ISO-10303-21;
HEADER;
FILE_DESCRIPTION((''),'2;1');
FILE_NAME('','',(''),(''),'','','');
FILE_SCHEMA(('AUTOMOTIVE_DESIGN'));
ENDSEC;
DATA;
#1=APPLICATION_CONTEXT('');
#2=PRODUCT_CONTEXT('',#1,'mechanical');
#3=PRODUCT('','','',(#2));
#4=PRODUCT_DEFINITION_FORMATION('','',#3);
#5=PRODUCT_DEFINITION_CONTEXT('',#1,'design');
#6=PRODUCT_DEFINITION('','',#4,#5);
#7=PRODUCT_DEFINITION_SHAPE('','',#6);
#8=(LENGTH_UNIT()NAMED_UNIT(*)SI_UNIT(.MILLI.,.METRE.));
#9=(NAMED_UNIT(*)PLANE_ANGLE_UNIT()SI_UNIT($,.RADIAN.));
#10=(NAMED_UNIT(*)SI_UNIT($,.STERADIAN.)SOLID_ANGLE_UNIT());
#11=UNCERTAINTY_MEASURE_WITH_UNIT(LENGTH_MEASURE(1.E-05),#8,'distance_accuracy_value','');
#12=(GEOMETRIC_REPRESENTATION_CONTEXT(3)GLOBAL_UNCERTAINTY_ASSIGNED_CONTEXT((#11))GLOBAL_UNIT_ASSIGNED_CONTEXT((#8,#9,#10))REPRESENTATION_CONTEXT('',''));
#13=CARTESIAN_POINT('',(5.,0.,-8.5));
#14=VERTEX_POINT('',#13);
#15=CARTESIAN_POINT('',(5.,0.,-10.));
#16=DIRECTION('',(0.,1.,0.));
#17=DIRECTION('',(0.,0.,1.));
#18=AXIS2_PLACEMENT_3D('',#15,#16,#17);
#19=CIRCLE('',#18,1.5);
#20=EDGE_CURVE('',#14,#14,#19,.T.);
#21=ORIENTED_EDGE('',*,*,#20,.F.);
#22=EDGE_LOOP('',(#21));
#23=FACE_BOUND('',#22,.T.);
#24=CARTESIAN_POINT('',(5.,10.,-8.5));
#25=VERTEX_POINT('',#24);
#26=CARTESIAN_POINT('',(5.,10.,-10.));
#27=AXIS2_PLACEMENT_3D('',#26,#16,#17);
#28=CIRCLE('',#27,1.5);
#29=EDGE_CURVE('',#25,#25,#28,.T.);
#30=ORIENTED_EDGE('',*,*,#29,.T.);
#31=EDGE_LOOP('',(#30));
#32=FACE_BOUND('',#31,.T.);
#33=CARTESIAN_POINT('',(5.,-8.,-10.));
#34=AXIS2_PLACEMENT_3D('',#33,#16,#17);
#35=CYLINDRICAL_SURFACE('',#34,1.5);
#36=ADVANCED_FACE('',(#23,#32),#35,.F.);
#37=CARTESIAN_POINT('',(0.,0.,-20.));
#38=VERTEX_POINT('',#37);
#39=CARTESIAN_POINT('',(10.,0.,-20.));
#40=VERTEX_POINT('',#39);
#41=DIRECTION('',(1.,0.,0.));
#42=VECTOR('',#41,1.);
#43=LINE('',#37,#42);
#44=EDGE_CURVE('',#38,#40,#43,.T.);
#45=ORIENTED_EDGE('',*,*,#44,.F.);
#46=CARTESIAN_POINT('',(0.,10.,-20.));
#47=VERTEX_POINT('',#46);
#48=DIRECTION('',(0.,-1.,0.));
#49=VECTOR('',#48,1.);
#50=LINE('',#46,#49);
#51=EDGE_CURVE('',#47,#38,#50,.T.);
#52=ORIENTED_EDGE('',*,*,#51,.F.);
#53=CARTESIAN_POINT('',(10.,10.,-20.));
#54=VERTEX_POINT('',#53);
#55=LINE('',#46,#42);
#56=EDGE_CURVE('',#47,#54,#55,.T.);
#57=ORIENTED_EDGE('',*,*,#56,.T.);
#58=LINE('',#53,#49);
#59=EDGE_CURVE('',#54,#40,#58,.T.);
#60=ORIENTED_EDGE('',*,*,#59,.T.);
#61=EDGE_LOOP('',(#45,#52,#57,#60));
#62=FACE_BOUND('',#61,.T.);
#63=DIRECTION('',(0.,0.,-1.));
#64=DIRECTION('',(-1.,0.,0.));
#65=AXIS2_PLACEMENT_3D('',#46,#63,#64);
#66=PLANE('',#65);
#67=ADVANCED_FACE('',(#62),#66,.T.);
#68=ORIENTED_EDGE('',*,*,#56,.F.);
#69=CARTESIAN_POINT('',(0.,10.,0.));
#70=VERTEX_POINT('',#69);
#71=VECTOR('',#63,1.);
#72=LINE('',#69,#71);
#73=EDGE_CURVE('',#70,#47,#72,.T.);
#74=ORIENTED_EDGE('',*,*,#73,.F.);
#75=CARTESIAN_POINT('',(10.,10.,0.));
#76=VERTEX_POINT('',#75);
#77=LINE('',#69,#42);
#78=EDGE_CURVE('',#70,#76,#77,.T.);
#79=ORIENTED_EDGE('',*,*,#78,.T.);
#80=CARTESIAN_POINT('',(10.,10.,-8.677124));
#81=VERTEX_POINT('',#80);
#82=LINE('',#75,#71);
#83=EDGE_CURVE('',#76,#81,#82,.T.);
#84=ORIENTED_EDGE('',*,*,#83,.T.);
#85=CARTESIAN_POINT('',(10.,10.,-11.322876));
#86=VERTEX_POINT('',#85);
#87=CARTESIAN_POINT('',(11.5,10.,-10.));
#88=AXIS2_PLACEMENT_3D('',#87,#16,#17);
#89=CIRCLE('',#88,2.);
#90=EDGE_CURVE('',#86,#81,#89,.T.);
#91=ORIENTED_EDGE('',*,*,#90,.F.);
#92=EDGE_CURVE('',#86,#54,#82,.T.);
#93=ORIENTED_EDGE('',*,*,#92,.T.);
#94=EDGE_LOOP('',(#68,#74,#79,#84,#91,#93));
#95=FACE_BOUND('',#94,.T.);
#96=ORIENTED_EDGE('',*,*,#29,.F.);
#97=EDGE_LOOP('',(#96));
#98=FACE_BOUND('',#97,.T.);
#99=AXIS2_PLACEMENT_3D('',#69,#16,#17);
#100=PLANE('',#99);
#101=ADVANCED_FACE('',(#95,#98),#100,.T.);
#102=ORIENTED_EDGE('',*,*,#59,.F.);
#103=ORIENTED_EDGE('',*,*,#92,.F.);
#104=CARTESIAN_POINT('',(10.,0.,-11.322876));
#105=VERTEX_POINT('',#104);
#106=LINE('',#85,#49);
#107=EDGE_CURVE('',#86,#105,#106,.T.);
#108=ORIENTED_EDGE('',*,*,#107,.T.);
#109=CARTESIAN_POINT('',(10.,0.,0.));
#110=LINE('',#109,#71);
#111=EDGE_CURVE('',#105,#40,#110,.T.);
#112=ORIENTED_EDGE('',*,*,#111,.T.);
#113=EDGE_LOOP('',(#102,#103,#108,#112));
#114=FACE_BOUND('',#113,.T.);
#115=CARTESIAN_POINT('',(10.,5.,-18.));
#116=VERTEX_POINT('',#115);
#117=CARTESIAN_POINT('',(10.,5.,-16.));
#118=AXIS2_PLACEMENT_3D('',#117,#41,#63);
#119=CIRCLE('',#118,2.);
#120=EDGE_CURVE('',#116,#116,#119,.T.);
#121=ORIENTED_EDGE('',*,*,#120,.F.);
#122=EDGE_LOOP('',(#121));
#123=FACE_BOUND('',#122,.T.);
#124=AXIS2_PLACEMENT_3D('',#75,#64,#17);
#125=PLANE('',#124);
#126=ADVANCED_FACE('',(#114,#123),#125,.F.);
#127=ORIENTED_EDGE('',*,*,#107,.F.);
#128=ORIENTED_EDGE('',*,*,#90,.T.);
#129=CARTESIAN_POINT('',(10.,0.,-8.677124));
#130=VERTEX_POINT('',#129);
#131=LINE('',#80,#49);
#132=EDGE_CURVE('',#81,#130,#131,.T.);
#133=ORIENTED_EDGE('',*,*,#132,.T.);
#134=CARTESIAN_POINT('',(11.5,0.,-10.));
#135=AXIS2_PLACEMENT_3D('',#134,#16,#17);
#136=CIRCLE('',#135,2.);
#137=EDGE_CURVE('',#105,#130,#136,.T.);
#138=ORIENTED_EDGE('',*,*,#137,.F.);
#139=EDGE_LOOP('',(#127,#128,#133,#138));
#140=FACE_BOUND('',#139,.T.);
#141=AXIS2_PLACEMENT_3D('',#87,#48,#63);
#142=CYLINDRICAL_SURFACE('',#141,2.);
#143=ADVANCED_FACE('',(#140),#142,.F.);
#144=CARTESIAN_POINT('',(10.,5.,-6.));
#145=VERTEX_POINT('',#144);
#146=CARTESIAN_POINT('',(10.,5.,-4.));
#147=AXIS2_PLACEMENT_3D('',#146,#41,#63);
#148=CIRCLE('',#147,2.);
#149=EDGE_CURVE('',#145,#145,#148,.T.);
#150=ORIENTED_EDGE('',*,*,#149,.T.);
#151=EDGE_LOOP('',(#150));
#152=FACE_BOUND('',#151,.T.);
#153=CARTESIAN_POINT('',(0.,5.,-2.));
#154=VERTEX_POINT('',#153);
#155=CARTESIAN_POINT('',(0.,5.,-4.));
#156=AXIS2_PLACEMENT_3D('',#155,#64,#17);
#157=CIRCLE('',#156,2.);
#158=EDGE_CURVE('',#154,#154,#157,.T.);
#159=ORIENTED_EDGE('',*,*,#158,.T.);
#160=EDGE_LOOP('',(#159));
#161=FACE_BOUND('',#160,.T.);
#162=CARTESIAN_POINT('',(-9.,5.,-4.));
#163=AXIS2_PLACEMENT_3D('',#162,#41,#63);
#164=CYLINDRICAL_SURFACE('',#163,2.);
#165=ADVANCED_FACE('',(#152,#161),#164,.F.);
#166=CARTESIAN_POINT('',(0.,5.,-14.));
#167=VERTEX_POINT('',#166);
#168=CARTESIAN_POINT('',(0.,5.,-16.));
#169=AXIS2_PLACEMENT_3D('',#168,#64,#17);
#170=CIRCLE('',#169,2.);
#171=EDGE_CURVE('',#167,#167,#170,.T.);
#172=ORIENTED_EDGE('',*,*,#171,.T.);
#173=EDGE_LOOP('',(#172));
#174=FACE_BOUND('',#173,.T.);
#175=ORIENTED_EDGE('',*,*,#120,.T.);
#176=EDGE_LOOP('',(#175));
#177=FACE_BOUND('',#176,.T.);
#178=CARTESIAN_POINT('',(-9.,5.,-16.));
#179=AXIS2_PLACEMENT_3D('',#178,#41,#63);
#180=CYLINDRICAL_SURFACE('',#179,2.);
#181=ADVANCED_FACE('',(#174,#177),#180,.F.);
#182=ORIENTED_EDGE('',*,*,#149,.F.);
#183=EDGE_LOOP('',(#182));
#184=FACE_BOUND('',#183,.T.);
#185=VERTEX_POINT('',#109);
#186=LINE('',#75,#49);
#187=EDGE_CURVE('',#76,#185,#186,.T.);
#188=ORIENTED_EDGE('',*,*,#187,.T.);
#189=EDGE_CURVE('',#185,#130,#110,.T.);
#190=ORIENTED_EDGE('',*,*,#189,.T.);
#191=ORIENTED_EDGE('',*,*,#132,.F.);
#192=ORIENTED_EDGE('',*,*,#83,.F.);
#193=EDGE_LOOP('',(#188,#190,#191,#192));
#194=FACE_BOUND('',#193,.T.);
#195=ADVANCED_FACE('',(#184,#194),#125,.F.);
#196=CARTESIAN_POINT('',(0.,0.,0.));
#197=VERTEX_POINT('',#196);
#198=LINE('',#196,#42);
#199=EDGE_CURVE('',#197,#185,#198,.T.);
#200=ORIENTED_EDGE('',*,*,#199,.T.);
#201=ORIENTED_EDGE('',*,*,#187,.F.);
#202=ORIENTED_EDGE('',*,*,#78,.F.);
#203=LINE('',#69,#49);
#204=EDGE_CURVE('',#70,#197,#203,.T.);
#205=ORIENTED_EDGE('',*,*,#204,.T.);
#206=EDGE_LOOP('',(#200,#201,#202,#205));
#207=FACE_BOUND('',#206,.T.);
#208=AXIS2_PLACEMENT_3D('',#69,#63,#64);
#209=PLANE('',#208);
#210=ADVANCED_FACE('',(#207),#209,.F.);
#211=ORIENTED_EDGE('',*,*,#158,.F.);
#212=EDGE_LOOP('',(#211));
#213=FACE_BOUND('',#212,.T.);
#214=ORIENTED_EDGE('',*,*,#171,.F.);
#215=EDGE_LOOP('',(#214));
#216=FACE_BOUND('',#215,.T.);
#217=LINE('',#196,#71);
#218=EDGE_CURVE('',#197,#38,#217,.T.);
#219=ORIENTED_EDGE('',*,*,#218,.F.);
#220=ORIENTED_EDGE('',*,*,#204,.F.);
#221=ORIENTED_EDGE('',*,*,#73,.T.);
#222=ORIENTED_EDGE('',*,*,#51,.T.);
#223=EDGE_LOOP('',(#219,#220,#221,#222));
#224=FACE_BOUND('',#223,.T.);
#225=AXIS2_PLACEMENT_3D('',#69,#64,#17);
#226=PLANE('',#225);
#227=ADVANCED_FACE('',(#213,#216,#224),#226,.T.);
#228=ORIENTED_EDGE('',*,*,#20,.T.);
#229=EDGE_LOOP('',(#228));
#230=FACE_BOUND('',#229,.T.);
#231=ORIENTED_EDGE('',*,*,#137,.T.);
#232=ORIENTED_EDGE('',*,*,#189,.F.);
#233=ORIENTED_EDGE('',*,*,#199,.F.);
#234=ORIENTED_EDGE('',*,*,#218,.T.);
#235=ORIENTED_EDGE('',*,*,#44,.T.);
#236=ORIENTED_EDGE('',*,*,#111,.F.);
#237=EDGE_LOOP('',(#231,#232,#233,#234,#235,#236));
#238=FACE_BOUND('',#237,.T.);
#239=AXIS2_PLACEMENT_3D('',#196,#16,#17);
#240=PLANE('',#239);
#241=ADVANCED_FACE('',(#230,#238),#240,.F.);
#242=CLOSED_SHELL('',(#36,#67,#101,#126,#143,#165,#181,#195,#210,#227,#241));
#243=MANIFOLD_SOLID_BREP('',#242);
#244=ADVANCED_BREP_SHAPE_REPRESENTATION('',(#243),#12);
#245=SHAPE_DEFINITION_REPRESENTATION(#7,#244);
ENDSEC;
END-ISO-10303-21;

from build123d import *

# Parameters (mm, degrees)
BOSS_EXTRUDE1_DEPTH = 10
SKETCH2_R           = 2
CUT_EXTRUDE1_DEPTH  = 19
SKETCH3_R           = 1.5
CUT_EXTRUDE2_DEPTH  = 18


with BuildPart() as part:
    # Sketch1 → Boss-Extrude1 (new body)
    with BuildSketch(Plane(origin=(0, 0, 0), x_dir=(1, 0, 0), z_dir=(0, 1, 0))):
        with BuildLine():
            Line((0, 20), (0, 0))
            Line((0, 0), (10, 0))
            Line((10, 0), (10, 8.677124344))
            ThreePointArc((10, 8.677124344), (9.5, 10), (10, 11.322875656))
            Line((10, 11.322875656), (10, 20))
            Line((10, 20), (0, 20))
        make_face()
    extrude(amount=BOSS_EXTRUDE1_DEPTH)

    # Sketch2 → Cut-Extrude1 (cut)
    with BuildSketch(Plane(origin=(10, 0, 0), x_dir=(0, 0, -1), z_dir=(1, 0, 0))):
        with Locations((4, 5)):
            Circle(SKETCH2_R)
        with Locations((16, 5)):
            Circle(SKETCH2_R)
    extrude(amount=-CUT_EXTRUDE1_DEPTH, mode=Mode.SUBTRACT)

    # Sketch3 → Cut-Extrude2 (cut)
    with BuildSketch(Plane(origin=(0, 10, 0), x_dir=(1, 0, 0), z_dir=(0, 1, 0))):
        with Locations(Location((5, 10, 0), (0, 0, 270))):
            Circle(SKETCH3_R)
    extrude(amount=-CUT_EXTRUDE2_DEPTH, mode=Mode.SUBTRACT)


solid = part.part
